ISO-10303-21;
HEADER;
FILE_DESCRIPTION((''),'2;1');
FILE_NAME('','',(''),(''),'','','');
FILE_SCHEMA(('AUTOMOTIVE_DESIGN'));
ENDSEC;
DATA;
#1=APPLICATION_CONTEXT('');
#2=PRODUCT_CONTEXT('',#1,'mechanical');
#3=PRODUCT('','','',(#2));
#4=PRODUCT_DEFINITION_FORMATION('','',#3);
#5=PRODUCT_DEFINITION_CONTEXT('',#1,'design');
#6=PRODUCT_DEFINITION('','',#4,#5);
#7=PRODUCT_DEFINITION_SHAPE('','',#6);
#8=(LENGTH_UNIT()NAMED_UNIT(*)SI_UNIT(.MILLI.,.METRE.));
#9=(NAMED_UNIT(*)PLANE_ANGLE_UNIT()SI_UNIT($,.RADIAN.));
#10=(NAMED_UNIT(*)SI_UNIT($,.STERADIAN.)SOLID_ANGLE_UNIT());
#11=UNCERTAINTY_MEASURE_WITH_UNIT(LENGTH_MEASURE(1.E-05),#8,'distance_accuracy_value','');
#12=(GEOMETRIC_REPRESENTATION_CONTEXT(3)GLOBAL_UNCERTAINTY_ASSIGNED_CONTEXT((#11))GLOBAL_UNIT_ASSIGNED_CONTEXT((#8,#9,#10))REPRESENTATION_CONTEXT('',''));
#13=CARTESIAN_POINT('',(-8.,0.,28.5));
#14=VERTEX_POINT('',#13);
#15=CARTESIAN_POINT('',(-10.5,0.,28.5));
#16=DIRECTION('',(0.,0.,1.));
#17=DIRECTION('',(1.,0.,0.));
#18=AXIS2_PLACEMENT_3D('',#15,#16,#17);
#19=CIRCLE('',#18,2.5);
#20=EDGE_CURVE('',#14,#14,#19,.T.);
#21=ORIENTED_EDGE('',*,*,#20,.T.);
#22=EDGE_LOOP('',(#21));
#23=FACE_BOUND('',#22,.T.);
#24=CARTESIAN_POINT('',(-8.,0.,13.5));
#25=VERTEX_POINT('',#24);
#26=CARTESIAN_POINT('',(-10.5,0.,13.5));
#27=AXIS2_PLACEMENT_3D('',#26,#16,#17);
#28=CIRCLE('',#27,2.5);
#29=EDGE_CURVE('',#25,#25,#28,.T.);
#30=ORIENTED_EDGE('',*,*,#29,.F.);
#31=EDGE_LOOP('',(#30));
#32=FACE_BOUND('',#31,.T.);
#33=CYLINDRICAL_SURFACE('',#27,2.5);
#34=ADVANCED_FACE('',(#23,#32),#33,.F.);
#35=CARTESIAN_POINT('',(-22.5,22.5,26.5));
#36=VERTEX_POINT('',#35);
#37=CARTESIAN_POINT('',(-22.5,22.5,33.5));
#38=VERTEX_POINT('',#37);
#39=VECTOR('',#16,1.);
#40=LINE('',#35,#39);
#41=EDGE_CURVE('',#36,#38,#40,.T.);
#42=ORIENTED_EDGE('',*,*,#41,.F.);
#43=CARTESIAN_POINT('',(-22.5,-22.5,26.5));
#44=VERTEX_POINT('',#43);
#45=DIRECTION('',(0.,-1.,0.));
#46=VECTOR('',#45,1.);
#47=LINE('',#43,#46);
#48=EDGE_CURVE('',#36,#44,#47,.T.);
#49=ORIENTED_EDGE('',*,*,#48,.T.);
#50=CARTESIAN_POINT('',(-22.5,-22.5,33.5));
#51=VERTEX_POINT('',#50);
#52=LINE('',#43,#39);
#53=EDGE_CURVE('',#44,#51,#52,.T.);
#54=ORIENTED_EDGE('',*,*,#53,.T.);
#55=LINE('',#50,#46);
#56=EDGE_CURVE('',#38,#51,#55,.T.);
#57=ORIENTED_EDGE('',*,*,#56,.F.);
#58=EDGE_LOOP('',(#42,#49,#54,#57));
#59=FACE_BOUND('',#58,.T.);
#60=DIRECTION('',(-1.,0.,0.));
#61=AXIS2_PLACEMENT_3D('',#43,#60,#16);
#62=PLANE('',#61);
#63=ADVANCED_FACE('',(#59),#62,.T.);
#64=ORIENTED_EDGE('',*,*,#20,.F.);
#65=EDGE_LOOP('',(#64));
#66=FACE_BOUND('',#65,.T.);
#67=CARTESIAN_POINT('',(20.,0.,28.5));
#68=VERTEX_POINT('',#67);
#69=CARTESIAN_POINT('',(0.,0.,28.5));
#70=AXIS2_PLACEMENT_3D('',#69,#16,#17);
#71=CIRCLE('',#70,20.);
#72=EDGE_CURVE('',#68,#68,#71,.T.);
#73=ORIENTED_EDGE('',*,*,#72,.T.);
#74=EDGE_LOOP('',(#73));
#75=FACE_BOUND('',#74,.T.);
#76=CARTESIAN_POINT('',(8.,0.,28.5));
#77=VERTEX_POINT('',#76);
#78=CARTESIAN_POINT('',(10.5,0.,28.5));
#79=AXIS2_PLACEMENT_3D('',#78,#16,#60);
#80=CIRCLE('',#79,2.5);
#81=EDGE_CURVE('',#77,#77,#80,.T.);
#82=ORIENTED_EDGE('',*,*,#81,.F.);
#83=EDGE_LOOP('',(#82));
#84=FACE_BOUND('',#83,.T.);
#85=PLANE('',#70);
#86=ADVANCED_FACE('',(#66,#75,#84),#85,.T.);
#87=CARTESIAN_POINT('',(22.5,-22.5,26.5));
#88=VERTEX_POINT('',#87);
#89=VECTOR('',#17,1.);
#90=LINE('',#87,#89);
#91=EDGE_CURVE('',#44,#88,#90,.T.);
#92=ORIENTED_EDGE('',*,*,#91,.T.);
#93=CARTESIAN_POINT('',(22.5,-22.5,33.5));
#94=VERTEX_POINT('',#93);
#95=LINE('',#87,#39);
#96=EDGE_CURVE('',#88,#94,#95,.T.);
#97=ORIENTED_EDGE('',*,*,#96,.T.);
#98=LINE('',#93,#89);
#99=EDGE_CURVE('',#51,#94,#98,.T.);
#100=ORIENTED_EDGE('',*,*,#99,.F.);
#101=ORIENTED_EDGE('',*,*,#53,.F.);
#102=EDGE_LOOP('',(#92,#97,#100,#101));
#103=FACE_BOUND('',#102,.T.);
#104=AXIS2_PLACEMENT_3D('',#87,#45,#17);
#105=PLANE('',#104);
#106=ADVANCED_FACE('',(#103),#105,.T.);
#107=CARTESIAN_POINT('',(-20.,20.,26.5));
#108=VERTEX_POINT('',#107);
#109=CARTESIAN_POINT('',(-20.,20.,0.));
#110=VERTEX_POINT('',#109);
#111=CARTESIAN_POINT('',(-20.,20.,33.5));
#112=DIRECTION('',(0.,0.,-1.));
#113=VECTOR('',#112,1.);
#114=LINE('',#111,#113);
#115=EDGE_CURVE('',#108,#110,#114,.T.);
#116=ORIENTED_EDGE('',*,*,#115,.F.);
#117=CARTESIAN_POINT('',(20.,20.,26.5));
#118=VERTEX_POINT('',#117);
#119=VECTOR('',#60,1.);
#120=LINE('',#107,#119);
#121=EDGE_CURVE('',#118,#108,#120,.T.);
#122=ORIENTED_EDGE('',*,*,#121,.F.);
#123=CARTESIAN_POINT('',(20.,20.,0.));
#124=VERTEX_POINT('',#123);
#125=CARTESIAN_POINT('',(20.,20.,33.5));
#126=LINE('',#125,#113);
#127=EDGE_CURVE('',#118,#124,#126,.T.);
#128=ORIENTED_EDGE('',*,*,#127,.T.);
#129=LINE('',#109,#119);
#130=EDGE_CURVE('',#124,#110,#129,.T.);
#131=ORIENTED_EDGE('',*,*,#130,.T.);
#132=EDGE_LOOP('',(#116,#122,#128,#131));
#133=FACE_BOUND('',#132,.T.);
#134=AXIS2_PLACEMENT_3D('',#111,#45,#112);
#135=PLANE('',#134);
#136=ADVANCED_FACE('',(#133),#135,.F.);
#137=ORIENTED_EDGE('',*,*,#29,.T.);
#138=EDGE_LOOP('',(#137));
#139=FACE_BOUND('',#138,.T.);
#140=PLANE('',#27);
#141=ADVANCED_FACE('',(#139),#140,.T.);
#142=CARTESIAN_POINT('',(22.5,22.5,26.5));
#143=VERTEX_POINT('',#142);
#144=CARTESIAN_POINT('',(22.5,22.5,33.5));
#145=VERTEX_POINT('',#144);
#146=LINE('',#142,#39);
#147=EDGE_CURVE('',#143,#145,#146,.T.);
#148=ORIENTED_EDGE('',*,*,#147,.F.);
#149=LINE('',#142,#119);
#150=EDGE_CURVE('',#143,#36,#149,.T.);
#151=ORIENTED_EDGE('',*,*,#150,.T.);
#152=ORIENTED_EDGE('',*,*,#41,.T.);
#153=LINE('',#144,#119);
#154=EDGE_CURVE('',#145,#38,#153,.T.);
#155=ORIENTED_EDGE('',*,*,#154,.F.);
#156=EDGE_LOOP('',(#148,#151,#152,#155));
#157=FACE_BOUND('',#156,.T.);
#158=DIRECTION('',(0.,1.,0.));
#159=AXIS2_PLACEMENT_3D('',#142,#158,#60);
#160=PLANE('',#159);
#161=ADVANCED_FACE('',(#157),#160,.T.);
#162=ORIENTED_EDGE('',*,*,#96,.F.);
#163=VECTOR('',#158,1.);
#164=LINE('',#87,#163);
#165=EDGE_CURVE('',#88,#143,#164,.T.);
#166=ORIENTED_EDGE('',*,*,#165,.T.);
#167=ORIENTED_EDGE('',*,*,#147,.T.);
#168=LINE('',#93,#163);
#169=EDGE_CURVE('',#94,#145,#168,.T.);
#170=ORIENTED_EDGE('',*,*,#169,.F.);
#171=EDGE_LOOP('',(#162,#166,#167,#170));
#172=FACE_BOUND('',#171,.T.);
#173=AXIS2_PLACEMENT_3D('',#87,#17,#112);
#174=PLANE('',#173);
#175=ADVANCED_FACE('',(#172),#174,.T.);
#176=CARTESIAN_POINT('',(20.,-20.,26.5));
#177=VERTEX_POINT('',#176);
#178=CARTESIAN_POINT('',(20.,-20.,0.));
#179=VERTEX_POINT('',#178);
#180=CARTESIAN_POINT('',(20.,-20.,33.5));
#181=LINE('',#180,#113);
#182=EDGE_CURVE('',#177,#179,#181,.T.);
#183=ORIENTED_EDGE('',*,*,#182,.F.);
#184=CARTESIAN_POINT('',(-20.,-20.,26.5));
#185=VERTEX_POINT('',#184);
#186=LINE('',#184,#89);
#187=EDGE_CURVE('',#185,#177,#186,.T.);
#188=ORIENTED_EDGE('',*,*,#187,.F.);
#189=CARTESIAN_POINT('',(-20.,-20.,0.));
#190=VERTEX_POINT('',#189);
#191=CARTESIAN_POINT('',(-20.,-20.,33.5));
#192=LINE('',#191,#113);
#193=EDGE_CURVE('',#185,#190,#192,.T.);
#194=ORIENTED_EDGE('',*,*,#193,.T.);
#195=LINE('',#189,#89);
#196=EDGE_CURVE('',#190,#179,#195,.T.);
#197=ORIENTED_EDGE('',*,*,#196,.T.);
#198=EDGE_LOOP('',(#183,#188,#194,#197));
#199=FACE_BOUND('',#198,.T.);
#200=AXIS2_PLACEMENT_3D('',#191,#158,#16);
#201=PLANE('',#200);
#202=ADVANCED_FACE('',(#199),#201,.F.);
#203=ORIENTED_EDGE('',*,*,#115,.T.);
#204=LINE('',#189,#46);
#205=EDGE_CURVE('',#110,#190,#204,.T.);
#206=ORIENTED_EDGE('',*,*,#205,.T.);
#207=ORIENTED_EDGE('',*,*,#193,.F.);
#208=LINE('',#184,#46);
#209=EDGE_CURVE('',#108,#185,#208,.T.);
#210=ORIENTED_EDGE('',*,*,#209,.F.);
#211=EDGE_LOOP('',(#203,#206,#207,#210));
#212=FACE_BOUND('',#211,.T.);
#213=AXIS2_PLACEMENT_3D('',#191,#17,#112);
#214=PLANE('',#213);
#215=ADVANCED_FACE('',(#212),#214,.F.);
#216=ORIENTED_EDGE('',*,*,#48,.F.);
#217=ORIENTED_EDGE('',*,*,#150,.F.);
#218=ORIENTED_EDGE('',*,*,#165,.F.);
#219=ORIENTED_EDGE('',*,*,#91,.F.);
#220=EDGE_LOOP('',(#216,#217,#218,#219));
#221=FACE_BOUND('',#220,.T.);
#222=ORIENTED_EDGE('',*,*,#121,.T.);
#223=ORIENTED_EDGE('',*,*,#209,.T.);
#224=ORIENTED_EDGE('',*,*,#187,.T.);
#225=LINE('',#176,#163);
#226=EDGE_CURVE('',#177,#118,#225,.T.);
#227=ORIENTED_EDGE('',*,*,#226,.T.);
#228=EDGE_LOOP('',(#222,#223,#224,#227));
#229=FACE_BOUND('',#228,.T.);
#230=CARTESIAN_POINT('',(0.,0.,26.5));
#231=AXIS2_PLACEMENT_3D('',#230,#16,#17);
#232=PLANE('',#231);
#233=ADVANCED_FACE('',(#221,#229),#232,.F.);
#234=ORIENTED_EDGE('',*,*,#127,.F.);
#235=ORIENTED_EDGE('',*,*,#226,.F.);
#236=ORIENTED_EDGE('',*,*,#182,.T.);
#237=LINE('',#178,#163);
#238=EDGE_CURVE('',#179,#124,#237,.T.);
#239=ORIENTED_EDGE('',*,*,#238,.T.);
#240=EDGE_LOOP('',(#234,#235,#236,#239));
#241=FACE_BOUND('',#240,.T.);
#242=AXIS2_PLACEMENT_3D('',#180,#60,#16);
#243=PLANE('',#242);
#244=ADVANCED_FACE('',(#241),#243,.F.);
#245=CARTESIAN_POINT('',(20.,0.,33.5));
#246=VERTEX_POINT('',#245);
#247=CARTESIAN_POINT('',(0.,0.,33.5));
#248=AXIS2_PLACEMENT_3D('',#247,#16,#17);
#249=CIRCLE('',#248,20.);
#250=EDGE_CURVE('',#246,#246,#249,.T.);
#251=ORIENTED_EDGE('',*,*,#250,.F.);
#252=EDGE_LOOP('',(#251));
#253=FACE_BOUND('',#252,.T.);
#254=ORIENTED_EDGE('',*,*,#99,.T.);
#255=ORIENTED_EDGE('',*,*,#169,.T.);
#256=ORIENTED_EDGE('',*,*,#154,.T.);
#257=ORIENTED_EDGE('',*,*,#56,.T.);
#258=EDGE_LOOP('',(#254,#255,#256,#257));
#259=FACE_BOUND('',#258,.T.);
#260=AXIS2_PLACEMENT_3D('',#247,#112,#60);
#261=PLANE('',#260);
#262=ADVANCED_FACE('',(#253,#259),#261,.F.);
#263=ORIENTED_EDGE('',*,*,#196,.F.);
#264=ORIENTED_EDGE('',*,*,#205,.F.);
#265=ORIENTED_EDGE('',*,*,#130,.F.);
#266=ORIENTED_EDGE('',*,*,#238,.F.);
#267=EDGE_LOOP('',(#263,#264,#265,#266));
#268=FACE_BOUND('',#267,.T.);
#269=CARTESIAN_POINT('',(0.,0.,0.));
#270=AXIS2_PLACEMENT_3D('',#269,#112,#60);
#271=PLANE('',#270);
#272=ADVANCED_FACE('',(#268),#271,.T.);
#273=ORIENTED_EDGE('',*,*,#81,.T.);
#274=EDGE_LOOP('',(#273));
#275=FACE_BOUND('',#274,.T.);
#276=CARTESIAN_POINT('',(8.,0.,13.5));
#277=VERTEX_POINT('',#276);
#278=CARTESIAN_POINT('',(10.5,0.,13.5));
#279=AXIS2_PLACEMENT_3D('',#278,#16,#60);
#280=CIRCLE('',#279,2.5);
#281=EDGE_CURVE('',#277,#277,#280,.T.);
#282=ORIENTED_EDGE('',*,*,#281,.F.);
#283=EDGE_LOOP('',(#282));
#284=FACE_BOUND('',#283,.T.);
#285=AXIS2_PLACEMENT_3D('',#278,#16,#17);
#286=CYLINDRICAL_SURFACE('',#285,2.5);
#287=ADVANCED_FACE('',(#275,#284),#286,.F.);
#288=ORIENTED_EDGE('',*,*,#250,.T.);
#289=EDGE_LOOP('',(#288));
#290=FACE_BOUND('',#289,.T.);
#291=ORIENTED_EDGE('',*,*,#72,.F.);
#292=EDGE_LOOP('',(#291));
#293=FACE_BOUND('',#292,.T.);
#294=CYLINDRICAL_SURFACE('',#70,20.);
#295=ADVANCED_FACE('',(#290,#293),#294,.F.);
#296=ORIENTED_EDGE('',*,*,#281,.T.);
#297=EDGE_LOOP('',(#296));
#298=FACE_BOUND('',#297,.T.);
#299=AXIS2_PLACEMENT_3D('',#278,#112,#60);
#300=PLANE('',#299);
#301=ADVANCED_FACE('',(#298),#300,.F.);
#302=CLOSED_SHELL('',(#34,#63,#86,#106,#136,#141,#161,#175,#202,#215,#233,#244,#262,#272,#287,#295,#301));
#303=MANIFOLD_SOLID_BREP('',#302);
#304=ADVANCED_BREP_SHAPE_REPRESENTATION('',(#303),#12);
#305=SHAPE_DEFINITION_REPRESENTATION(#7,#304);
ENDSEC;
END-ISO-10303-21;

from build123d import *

# Parameters (mm, degrees)
SKETCH_1_W          = 40
SKETCH_1_H          = 40
EXTRUDE_1_DEPTH     = 33.5
SKETCH_2_W          = 45
SKETCH_2_H          = 45
EXTRUDE_2_DEPTH     = 7
SKETCH_3_R          = 20
CUT_EXTRUDE_3_DEPTH = 5
SKETCH_4_R          = 2.5
CUT_EXTRUDE_4_DEPTH = 15


with BuildPart() as part:
    # Эскиз1 → Бобышка-Вытянуть1 (new body)
    with BuildSketch(Plane.XY):
        Rectangle(SKETCH_1_W, SKETCH_1_H)
    extrude(amount=EXTRUDE_1_DEPTH)

    # Эскиз2 → Бобышка-Вытянуть2 (add)
    with BuildSketch(Plane.XY.offset(33.5)):
        Rectangle(SKETCH_2_W, SKETCH_2_H)
    extrude(amount=-EXTRUDE_2_DEPTH)

    # Эскиз3 → Вырез-Вытянуть3 (cut)
    with BuildSketch(Plane.XY.offset(33.5)):
        Circle(SKETCH_3_R)
    extrude(amount=-CUT_EXTRUDE_3_DEPTH, mode=Mode.SUBTRACT)

    # Эскиз4 → Вырез-Вытянуть4 (cut)
    with BuildSketch(Plane.XY.offset(28.5)):
        with Locations((-10.5, 0)):
            Circle(SKETCH_4_R)
        with Locations(Location((10.5, 0, 0), (0, 0, 180))):
            Circle(SKETCH_4_R)
    extrude(amount=-CUT_EXTRUDE_4_DEPTH, mode=Mode.SUBTRACT)


solid = part.part
